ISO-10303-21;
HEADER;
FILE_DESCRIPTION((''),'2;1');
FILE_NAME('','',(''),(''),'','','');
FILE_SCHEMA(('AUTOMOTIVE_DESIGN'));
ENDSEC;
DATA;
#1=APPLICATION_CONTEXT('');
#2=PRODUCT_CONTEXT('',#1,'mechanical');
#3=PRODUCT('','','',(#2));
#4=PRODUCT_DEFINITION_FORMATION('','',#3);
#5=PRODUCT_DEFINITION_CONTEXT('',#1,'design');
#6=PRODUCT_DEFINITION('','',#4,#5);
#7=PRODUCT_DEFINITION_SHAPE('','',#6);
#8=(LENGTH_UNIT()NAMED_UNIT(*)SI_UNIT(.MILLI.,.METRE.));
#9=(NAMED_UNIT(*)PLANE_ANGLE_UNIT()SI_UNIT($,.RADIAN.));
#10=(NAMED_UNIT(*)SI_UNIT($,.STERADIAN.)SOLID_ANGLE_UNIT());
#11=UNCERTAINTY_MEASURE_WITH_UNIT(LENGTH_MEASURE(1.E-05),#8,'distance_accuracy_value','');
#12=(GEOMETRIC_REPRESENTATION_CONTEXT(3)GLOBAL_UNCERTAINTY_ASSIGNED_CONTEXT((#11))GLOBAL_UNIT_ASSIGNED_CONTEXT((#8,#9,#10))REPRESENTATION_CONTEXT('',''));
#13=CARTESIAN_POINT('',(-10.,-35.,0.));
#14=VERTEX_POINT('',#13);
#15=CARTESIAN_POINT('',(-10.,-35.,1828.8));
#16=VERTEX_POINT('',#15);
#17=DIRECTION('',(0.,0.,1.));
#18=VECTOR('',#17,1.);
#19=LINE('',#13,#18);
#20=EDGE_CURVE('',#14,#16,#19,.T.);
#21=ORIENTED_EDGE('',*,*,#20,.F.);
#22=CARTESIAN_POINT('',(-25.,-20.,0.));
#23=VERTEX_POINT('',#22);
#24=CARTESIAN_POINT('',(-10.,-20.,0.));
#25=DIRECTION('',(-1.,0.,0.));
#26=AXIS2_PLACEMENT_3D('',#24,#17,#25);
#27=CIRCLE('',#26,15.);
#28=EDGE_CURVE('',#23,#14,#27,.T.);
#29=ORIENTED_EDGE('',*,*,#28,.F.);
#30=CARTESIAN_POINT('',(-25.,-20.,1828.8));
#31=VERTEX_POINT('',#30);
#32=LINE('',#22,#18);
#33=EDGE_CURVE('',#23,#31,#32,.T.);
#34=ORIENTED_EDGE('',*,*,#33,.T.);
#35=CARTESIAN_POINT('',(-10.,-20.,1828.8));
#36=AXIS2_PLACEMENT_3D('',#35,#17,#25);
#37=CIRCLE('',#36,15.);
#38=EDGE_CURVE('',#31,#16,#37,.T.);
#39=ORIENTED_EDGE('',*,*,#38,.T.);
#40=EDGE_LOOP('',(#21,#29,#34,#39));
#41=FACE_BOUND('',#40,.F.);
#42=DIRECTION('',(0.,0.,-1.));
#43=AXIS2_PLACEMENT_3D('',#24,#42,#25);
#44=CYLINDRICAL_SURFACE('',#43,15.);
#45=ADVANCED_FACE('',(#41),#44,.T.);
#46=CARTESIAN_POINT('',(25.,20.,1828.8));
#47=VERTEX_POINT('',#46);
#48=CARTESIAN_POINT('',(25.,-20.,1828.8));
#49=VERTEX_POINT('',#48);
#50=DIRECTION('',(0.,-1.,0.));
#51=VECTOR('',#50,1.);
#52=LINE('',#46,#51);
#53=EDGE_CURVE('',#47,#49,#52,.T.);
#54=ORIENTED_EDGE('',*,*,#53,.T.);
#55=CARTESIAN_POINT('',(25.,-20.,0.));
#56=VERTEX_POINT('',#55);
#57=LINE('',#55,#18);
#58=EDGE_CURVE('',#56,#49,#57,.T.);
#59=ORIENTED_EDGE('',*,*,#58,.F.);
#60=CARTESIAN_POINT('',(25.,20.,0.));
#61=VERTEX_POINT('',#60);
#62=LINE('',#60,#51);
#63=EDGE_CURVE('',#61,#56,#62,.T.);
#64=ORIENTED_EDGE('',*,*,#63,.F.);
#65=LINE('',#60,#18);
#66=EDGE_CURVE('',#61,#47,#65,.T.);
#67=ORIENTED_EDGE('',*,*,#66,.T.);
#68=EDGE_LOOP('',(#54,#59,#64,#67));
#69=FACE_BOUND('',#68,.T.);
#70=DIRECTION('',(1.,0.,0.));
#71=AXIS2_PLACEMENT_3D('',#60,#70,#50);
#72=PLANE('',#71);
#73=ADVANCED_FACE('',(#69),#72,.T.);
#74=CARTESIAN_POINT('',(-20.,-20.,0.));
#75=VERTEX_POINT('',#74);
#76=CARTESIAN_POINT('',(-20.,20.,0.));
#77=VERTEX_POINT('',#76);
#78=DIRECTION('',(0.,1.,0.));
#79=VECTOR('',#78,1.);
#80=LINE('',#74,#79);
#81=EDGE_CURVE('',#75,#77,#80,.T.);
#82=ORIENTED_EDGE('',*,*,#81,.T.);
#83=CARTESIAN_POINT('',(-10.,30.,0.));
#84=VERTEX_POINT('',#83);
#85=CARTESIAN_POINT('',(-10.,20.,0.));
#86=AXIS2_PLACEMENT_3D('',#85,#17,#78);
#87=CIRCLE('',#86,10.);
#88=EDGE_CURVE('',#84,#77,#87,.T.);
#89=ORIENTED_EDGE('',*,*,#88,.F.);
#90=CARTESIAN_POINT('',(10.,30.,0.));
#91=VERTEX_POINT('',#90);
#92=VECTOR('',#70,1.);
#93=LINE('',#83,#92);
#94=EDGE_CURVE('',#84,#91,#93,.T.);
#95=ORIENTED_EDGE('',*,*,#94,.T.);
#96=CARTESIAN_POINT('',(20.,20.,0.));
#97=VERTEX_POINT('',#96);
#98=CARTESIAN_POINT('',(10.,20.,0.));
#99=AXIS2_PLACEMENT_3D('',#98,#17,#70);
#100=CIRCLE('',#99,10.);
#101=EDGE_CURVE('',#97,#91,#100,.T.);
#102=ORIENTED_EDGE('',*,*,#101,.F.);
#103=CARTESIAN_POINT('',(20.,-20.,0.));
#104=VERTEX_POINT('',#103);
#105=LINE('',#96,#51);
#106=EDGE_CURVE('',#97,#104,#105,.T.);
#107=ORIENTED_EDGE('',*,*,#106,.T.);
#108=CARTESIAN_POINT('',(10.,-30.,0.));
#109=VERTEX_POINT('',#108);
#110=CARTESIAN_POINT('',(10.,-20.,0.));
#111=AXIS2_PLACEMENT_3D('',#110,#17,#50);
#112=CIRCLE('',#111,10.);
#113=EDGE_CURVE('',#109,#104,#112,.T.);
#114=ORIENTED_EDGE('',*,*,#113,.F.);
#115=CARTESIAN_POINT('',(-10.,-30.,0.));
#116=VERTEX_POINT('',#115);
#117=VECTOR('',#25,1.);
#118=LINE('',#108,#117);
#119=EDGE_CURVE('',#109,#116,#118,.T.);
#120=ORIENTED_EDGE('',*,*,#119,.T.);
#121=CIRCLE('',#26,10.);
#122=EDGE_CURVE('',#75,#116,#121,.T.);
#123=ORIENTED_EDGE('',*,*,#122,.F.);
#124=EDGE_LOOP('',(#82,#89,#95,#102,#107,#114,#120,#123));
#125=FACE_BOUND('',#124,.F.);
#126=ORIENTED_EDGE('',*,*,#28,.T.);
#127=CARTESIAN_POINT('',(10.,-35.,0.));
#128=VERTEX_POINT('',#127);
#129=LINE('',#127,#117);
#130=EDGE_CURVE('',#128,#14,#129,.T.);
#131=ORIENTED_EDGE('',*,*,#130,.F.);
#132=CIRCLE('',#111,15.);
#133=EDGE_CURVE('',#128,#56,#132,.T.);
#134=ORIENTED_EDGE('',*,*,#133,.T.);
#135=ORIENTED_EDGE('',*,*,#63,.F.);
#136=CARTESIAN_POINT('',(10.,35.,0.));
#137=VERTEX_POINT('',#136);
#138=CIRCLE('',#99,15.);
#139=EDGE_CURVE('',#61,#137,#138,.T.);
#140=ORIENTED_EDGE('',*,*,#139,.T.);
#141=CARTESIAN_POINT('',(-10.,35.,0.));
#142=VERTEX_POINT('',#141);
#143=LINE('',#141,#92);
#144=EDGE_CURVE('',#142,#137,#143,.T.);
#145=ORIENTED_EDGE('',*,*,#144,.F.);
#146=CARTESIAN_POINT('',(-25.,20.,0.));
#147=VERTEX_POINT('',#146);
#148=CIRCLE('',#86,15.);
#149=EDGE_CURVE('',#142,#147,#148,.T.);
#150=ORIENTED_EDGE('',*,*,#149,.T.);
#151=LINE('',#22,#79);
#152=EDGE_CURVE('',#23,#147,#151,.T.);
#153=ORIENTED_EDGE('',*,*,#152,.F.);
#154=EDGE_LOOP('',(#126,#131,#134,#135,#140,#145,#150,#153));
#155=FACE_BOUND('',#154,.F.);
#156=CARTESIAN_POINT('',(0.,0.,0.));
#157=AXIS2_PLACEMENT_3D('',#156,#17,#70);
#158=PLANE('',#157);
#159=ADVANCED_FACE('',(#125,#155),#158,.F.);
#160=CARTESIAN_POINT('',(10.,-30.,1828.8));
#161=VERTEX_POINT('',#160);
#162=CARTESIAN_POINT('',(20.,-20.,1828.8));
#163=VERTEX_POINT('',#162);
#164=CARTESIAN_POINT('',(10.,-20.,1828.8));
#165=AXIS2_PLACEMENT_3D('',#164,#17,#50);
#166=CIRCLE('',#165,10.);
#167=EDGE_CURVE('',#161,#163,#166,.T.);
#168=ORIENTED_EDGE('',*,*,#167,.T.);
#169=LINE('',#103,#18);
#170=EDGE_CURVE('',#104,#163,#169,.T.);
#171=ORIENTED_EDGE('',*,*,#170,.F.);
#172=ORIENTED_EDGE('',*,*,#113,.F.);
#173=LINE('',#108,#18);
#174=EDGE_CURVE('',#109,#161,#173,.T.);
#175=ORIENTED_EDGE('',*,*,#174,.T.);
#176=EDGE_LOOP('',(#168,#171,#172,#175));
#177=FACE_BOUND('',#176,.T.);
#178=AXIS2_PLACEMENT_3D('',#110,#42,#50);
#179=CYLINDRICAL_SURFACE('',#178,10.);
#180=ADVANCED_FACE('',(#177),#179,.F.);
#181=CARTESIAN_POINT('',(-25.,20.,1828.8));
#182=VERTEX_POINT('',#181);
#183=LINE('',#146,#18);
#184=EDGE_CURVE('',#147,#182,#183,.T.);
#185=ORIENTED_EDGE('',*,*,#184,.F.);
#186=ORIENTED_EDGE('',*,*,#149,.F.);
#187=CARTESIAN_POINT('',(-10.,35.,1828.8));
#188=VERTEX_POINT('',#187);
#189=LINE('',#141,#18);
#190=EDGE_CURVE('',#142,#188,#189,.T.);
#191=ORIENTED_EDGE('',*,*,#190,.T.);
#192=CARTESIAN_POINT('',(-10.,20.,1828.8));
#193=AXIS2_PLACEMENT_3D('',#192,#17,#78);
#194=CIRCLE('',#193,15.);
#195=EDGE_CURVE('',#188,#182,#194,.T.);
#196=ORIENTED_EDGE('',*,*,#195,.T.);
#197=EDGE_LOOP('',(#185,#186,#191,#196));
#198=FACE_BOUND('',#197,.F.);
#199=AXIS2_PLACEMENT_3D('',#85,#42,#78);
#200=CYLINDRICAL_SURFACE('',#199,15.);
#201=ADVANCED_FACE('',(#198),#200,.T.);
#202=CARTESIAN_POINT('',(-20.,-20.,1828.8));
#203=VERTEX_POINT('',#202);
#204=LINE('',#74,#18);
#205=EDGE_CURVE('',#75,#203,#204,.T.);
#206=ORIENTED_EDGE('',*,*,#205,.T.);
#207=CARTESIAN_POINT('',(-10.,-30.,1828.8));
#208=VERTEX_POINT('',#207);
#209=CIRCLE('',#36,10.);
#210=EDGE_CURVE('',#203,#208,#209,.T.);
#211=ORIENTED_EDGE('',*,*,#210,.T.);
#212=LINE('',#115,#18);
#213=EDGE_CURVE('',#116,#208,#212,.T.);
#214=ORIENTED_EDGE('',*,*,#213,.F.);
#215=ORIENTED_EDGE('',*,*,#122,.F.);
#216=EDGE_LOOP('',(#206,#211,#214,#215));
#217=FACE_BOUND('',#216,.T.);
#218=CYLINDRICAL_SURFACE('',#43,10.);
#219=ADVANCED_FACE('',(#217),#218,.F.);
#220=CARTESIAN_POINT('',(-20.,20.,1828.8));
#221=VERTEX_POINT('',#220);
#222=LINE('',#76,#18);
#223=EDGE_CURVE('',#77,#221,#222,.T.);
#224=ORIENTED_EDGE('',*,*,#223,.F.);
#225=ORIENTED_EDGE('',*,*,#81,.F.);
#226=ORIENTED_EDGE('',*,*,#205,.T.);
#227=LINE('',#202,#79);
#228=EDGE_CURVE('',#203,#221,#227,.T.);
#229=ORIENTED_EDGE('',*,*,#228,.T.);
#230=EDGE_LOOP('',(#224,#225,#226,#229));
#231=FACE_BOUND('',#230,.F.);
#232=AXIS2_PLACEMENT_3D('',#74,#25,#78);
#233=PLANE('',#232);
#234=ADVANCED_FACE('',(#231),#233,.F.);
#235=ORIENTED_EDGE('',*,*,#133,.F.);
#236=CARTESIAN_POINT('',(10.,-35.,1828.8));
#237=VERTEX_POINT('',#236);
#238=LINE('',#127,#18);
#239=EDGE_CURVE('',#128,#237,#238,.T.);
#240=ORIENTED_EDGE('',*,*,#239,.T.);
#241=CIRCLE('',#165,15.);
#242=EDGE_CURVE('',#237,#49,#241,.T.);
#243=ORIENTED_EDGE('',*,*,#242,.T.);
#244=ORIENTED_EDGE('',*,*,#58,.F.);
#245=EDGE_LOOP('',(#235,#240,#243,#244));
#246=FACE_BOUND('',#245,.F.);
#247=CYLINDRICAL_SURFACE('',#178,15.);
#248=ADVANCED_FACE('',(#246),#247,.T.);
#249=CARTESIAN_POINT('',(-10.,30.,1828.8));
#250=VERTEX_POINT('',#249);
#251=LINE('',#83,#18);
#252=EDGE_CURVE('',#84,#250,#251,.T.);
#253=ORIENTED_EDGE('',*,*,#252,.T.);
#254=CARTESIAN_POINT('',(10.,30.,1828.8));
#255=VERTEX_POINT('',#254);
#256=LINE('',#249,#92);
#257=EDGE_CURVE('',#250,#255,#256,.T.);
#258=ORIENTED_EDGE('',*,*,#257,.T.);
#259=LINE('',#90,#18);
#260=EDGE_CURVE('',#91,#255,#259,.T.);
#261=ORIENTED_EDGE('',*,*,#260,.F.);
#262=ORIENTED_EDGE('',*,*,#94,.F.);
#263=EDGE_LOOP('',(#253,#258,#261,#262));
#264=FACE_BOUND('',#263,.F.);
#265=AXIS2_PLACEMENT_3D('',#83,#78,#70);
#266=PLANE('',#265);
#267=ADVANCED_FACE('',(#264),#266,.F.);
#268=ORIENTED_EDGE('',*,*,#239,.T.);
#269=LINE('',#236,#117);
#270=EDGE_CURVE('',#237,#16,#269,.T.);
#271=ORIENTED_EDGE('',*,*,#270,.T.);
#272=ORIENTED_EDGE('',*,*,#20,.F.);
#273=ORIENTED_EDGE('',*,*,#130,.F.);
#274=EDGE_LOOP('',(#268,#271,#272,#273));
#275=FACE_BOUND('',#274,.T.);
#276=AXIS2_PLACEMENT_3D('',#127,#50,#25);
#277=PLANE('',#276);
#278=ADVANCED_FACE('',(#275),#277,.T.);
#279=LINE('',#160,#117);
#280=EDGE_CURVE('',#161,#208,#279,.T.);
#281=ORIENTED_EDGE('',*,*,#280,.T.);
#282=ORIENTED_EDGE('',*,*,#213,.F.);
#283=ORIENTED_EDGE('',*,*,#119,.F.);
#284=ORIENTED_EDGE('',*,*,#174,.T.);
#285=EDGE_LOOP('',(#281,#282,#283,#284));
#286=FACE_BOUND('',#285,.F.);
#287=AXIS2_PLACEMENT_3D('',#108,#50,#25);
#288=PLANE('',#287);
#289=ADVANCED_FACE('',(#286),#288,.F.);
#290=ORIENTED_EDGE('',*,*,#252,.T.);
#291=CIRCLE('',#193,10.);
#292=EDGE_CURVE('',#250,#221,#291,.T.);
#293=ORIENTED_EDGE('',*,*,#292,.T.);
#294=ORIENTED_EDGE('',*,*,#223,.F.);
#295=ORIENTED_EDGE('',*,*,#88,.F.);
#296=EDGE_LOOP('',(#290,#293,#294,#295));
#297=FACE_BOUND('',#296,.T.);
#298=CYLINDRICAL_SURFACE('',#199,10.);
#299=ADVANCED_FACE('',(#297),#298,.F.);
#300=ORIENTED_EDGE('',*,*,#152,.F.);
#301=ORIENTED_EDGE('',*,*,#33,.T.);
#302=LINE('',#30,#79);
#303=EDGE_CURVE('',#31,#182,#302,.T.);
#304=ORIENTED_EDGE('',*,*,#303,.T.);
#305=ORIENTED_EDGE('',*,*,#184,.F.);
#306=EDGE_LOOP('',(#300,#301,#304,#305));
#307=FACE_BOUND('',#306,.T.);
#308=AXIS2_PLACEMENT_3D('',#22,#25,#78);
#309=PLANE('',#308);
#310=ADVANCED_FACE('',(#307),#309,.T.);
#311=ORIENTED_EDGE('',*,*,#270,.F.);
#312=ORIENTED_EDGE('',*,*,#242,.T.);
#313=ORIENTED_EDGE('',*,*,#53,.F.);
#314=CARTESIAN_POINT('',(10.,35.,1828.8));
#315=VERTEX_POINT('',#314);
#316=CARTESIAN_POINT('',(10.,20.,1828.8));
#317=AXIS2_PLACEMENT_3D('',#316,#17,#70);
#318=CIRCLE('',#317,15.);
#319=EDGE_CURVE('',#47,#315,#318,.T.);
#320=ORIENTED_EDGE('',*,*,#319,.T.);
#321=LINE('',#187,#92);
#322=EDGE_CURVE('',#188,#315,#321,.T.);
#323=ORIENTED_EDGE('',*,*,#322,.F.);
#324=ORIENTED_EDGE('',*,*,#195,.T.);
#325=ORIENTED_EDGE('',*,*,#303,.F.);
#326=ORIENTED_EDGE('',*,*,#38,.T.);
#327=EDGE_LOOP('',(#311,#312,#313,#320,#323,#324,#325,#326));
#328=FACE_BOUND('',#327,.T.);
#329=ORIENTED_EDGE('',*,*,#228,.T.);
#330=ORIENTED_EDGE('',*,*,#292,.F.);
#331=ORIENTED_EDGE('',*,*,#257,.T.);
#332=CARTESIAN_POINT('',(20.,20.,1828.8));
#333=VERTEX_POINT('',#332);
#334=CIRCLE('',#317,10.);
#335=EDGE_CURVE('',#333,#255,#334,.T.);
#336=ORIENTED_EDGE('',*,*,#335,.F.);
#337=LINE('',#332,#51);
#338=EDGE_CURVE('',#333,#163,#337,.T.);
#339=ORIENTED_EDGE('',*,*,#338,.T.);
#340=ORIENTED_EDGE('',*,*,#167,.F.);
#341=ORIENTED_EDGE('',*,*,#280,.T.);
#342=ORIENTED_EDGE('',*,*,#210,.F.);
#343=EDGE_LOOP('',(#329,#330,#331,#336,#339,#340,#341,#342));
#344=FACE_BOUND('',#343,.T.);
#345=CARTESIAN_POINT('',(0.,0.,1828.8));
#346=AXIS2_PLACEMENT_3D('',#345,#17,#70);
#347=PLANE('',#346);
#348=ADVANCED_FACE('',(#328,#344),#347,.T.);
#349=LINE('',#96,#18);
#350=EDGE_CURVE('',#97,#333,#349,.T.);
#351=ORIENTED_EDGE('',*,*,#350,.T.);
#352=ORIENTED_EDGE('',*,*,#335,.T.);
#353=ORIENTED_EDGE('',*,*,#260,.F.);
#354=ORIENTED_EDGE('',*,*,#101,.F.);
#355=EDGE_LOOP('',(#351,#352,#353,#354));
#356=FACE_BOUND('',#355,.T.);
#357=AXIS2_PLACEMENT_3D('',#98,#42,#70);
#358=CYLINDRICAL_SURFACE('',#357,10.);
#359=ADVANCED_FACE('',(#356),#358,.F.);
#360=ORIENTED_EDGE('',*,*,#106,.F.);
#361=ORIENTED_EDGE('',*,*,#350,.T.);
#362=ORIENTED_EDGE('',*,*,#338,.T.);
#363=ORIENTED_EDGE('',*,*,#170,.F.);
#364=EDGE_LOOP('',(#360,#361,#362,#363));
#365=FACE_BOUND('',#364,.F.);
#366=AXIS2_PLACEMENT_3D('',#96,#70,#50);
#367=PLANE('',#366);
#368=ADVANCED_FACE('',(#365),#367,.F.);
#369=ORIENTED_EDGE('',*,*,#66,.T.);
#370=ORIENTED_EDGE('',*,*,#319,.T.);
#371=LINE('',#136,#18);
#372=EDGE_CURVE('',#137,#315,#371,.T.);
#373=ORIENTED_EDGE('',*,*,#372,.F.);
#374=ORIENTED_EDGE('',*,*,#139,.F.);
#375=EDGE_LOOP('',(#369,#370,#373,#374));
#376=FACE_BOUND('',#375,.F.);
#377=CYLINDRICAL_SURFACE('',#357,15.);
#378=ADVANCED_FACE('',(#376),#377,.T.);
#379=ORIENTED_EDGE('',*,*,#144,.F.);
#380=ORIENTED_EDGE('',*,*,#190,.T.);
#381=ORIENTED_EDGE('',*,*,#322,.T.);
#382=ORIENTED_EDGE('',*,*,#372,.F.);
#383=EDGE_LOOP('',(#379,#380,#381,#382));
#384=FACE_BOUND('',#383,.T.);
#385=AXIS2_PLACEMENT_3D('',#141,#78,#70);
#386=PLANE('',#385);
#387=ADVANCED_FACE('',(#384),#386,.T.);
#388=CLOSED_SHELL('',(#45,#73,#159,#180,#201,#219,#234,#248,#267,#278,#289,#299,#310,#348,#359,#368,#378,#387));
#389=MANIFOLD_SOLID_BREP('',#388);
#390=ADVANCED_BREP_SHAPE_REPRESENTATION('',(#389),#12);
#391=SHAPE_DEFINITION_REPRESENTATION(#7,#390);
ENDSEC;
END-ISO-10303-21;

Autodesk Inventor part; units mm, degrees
ref_plane "YZ Plane" through (0, 0, 0) normal (1, 0, 0) x (0, 1, 0)
ref_plane "Start plane" through (0, 0, 0) normal (0, 0, 1) x (1, 0, 0)
ref_plane "End plane" through (0, 0, 1828.8) normal (0, 0, 1) x (1, 0, 0)
sketch "Sketch" plane through (0, 0, 0) normal (0, 0, 1) x (1, 0, 0)
  line L0 (-25, -20) -> (-25, 20)
  line L1 (-10, 35) -> (10, 35)
  line L2 (25, 20) -> (25, -20)
  line L3 (10, -35) -> (-10, -35)
  arc A0 (-25, -20) -> (-10, -35) centre (-10, -20) ccw
  arc A1 (25, 20) -> (10, 35) centre (10, 20) ccw
  arc A2 (-10, 35) -> (-25, 20) centre (-10, 20) ccw
  arc A3 (10, -35) -> (25, -20) centre (10, -20) ccw
  arc A4 (-10, 30) -> (-20, 20) centre (-10, 20) ccw
  line L4 (-10, 30) -> (10, 30)
  arc A5 (20, 20) -> (10, 30) centre (10, 20) ccw
  line L5 (20, 20) -> (20, -20)
  arc A6 (10, -30) -> (20, -20) centre (10, -20) ccw
  line L6 (10, -30) -> (-10, -30)
  arc A7 (-20, -20) -> (-10, -30) centre (-10, -20) ccw
  line L7 (-20, -20) -> (-20, 20)
  line L8 (0, 37.1021) -> (0, -37.1021) construction
  line L9 (-23.1021, 0) -> (23.1021, 0) construction
  dimension "d7" = 15
  dimension "d9" = 50
  dimension "d11" = 70
  dimension "d12" = 5
  dimension "d15" = 25
  dimension "d16" = 35
extrude "Body" add sketch "Sketch" along normal up to surface (1828.8 mm away) from surface at 0
sketch "Sketch3" plane through (0, 0, 0) normal (0, 0, 1) x (1, 0, 0)
  line L0 (0, 0) -> (10, 0)
ref_plane "Work Plane3" through (0, 0, 0) normal (0, -1, 0) x (1, 0, 0)
sketch "Sketch4" plane through (0, 0, 0) normal (0, -1, 0) x (1, 0, 0)
  line L0 (-2, 0) -> (12, 0)
  line L1 (-2, 1828.8) -> (12, 1828.8)
  dimension "d18" = 1828.8
equation "\"d7\" = G_IR"
equation "\"d9\" = G_W"
equation "\"d11\" = G_H"
equation "\"d12\" = G_T"
equation "\"d15\" = 0.5 * d9"
equation "\"d16\" = 0.5 * d11"
equation "\"d3\" = G_L"
equation "\"G_W\" = 50"
equation "\"G_H\" = 70"
equation "\"G_T\" = 5"
equation "\"G_IR\" = 15"
equation "\"G_L\" = d18"
equation "\"G_OFFSET_START\" = 0"
equation "\"G_OFFSET_END\" = 0"
equation "\"d14\" = G_OFFSET_END + B_L"
equation "\"B_L\" = 1828.8"
properties part number "Steel J 70x50x5-1828.8 GB/T 6728-2002" material "Steel, Mild"
